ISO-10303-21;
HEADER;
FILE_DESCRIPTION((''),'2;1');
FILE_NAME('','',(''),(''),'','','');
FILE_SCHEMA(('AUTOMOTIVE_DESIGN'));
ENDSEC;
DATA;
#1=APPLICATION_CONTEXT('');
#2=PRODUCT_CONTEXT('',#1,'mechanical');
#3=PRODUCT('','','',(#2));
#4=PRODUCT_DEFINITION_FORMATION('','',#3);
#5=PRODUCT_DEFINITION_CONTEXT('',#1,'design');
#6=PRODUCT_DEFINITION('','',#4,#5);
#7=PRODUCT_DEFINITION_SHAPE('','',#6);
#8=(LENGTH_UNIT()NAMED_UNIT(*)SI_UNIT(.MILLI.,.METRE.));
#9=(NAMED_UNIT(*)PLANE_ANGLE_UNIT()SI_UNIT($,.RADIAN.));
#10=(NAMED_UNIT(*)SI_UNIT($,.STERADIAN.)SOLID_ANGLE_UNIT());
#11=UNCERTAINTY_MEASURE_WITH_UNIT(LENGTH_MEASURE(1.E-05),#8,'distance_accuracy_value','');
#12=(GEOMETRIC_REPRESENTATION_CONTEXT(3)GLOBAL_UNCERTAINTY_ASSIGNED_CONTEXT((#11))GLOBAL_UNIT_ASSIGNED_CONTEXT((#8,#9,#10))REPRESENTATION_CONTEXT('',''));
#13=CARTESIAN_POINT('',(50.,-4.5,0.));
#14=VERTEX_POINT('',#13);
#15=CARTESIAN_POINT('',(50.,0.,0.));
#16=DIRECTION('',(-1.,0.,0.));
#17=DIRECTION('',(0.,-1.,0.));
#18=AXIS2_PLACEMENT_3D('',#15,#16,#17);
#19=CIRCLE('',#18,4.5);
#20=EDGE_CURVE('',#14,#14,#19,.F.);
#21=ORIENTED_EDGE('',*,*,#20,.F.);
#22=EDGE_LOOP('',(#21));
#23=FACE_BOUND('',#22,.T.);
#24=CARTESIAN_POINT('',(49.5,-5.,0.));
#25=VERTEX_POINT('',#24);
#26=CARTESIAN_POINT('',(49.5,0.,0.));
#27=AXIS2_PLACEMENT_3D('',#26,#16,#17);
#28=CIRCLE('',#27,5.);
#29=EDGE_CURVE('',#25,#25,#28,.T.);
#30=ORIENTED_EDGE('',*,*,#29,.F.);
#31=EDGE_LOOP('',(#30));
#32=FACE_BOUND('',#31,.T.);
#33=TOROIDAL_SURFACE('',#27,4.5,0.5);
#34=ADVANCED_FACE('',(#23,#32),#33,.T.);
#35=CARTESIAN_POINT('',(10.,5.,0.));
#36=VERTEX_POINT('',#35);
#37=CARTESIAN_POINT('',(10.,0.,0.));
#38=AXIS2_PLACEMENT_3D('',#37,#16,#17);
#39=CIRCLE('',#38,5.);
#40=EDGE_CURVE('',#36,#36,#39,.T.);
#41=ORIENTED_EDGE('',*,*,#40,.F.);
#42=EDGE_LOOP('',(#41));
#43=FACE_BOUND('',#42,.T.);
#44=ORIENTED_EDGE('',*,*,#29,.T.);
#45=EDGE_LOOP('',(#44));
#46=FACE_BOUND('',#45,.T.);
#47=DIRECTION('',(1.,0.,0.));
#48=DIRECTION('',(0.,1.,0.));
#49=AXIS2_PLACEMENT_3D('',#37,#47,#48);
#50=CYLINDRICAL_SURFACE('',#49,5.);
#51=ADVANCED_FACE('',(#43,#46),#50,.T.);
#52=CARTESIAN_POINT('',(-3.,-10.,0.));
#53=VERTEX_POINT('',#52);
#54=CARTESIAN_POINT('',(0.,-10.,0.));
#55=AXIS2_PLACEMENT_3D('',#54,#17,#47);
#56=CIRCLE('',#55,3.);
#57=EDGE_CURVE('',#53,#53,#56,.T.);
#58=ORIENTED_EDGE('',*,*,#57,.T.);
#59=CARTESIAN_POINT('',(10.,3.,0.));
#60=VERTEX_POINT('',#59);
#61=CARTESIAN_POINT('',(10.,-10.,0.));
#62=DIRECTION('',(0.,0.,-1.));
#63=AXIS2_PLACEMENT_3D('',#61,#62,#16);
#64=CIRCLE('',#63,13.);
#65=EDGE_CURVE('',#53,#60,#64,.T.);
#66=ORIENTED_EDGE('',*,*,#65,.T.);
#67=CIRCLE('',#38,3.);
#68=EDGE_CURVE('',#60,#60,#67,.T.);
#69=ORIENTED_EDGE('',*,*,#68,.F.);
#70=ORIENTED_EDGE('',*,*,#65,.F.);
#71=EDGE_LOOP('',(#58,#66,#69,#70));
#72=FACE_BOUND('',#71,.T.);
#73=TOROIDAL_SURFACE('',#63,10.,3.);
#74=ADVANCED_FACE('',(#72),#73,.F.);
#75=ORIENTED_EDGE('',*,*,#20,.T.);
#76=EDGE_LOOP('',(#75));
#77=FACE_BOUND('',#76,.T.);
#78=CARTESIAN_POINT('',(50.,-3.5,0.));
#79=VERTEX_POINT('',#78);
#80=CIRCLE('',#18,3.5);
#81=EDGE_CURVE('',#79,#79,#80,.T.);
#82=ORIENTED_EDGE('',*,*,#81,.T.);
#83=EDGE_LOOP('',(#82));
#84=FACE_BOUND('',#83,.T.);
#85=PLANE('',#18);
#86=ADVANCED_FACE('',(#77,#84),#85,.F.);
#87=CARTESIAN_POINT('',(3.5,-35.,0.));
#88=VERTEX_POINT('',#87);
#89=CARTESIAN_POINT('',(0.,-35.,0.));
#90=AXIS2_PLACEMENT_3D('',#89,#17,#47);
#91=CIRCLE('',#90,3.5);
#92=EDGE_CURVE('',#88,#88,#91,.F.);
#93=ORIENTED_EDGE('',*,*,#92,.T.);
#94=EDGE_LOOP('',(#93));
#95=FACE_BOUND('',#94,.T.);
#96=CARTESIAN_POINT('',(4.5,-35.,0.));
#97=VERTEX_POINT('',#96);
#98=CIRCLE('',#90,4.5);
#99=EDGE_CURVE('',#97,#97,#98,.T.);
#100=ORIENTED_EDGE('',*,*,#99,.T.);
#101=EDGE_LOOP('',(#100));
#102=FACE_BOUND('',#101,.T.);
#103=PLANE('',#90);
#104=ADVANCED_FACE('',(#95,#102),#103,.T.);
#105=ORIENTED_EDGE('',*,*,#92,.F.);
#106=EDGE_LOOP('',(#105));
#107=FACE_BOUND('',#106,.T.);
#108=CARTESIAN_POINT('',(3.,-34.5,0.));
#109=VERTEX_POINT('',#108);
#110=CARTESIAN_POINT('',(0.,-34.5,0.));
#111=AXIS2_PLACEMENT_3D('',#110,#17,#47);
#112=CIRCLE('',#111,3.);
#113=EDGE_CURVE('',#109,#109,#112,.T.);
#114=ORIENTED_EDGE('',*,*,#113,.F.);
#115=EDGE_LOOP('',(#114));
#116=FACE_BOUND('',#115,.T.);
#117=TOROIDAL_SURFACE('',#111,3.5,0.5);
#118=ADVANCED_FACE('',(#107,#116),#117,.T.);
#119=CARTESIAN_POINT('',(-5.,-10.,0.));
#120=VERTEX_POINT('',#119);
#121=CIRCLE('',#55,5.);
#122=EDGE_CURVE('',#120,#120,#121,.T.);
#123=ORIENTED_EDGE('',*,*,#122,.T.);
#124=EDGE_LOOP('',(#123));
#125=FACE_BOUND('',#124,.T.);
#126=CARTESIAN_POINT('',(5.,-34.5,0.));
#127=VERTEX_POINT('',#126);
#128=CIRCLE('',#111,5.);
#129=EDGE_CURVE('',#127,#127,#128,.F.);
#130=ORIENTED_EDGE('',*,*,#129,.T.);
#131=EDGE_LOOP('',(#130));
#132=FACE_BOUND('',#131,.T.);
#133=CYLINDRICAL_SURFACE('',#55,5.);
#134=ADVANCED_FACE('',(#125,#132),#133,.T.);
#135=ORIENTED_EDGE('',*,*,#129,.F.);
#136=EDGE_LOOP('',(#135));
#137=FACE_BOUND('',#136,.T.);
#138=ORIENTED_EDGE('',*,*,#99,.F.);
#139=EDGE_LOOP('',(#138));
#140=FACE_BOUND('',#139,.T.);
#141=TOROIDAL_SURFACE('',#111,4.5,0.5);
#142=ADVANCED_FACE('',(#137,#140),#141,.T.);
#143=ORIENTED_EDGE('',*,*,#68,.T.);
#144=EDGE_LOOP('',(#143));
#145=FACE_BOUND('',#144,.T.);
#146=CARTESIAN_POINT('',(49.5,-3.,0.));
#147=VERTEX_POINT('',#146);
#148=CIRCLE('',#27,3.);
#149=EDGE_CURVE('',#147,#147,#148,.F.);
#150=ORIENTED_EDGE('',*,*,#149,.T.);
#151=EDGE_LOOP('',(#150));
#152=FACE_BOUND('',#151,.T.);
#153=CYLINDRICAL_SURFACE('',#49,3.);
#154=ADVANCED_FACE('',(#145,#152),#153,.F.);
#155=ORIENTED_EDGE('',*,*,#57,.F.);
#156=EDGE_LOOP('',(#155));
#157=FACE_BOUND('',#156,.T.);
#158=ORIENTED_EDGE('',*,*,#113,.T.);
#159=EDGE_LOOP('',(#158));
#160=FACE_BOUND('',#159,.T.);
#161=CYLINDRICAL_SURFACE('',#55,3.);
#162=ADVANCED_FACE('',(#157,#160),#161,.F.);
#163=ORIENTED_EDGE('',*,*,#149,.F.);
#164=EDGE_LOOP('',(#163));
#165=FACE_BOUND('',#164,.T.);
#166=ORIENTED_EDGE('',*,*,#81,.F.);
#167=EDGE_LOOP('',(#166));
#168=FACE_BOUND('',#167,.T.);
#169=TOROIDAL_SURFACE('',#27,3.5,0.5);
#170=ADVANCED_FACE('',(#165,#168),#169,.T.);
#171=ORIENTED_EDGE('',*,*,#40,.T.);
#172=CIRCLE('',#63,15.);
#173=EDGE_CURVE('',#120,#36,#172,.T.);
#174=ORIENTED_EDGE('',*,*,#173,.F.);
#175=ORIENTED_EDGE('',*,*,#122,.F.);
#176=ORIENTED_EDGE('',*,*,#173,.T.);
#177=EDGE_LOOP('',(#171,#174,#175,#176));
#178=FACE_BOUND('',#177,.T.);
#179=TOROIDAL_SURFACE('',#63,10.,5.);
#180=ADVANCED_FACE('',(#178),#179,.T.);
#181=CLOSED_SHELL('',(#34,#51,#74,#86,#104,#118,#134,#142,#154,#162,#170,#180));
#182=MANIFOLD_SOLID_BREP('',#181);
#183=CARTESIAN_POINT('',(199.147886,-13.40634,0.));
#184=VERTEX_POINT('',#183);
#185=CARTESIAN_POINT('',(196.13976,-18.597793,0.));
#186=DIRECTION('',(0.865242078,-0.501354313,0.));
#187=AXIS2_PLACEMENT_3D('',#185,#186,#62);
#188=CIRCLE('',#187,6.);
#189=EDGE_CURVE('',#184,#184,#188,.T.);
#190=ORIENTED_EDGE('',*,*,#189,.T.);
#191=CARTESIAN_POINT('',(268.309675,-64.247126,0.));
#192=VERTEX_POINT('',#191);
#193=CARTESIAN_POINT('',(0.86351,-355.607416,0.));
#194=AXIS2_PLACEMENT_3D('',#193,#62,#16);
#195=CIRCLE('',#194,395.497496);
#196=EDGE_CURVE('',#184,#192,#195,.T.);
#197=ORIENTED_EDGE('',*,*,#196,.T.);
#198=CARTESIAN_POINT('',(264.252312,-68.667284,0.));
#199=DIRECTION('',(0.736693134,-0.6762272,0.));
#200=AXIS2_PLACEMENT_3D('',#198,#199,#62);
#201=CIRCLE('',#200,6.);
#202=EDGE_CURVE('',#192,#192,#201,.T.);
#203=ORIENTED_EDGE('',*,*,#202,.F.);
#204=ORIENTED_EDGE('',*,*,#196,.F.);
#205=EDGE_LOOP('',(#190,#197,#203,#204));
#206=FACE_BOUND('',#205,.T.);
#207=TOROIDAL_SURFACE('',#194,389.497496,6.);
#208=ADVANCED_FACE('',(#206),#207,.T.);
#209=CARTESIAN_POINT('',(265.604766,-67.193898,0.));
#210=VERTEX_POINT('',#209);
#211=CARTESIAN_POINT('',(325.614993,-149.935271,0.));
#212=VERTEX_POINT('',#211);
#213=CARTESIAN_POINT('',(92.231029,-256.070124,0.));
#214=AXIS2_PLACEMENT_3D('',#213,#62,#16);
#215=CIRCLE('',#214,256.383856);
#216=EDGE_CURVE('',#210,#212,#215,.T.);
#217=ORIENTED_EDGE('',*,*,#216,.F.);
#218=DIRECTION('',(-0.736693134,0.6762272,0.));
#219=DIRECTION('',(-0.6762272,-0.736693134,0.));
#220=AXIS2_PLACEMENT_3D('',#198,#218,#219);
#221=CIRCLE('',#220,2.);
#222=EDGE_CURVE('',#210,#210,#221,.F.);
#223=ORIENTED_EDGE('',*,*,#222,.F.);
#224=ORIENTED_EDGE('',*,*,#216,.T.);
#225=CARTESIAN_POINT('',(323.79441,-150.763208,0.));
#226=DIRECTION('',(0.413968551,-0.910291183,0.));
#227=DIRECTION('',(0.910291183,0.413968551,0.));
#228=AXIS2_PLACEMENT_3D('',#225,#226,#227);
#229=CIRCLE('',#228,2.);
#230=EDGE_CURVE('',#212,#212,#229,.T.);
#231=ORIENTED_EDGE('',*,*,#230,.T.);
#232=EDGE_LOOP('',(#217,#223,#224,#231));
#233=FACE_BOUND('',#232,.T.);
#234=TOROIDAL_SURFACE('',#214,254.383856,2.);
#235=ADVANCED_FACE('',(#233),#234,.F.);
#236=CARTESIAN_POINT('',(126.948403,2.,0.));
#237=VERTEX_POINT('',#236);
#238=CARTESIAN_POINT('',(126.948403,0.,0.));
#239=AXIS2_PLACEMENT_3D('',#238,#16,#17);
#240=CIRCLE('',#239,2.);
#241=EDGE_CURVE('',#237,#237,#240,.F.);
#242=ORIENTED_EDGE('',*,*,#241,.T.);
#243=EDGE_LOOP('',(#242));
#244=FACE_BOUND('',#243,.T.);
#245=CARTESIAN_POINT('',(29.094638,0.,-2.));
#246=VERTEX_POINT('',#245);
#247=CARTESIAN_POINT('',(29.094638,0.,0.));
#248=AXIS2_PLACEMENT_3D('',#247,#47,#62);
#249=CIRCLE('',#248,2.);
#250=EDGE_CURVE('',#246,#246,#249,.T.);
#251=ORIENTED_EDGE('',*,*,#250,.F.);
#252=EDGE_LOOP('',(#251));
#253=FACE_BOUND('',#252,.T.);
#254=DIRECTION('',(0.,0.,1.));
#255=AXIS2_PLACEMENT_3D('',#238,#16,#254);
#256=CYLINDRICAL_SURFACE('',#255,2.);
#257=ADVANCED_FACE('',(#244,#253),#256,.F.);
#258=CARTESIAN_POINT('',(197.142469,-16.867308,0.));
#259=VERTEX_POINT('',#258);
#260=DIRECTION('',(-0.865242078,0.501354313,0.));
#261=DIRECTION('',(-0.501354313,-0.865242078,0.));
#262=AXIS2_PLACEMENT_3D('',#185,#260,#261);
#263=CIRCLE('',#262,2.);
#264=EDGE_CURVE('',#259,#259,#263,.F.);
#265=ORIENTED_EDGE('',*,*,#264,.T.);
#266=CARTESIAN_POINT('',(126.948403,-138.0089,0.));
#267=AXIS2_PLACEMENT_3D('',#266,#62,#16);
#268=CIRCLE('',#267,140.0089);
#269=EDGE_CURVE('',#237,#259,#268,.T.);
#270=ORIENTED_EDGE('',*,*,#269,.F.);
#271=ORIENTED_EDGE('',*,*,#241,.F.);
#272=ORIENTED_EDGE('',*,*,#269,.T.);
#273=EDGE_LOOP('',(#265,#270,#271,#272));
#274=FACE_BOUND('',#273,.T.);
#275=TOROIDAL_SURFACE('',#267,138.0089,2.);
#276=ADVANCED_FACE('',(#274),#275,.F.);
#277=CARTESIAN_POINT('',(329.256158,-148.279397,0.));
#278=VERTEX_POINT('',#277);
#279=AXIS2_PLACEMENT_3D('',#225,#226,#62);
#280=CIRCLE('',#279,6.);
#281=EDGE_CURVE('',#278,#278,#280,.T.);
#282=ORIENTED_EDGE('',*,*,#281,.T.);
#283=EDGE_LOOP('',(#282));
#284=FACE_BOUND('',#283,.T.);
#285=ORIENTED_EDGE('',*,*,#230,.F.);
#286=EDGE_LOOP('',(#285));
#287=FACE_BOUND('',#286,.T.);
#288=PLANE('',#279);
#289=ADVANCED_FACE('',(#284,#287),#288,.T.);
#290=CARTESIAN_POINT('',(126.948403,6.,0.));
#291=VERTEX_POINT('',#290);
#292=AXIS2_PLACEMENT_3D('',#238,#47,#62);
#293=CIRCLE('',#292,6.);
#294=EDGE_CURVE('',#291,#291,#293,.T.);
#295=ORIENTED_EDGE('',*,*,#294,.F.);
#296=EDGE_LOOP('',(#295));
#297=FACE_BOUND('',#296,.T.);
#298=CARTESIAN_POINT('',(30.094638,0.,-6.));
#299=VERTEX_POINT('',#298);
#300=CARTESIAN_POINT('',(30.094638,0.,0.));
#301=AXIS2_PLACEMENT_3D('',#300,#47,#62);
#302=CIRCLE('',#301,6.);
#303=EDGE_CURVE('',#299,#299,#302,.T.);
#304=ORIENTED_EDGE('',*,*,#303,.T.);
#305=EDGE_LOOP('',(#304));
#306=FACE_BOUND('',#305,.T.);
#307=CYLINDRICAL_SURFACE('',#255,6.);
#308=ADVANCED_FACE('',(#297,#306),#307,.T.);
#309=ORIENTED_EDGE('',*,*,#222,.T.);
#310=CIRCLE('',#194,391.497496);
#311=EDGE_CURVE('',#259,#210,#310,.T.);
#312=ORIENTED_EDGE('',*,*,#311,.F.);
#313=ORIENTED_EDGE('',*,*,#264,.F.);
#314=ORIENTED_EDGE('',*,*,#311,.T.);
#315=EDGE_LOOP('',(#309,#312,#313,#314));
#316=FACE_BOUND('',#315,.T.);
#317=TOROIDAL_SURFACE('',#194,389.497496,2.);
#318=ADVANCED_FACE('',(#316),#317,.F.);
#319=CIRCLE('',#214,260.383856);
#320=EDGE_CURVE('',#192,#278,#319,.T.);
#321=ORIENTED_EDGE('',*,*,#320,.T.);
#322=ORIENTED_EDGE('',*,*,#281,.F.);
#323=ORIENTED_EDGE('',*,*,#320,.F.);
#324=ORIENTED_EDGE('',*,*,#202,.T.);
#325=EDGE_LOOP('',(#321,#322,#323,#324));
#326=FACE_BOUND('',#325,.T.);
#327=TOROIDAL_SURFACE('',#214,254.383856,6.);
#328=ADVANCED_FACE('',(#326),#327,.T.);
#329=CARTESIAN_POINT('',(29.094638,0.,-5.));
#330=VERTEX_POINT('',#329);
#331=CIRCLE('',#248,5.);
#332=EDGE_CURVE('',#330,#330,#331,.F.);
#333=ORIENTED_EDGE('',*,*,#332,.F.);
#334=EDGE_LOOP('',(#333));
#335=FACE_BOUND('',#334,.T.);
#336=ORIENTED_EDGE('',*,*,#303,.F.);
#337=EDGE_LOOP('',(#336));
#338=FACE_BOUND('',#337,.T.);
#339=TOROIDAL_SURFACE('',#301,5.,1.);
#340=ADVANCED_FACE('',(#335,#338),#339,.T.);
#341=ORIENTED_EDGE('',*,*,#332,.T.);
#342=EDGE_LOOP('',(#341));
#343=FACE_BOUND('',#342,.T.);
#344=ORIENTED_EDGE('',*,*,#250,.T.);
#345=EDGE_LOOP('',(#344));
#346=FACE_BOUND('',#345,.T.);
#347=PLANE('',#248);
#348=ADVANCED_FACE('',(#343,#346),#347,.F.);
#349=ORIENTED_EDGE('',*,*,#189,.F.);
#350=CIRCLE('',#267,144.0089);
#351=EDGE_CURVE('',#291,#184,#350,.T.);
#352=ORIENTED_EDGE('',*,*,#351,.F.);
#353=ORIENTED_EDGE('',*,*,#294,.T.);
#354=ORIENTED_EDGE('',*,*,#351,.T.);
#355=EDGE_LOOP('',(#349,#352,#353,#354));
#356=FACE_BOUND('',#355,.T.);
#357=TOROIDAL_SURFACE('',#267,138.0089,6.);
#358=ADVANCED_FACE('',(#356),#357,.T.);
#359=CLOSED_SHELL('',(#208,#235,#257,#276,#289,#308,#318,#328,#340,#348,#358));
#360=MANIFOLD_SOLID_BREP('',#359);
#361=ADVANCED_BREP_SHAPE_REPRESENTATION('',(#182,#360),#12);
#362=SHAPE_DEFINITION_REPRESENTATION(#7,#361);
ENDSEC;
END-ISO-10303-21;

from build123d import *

# Parameters (mm, degrees)
CROQUIS2_R  = 5
VACIADO2_T  = -2
REDONDEO1_R = 0.5
CROQUIS7_R  = 6
VACIADO3_T  = -4
REDONDEO2_R = 1


with BuildPart() as part:
    # Barrer1: sweep along a path in Croquis1
    with BuildLine(Plane.XY) as barrer1_path:
        Line((0, -35), (0, -10))
        ThreePointArc((0, -10), (2.928932188, -2.928932188), (10, 0))
        Line((10, 0), (50, 0))
    # Croquis2 → Barrer1 (sweep)
    with BuildSketch(Plane.XZ.offset(35)):
        Circle(CROQUIS2_R)
    sweep(path=barrer1_path.line)

    # Vaciado2
    vaciado2_openings = [part.faces().sort_by_distance(p)[0] for p in [
        (50, 0, 0),
        (0, -35, 0),
    ]]
    offset(amount=VACIADO2_T, openings=vaciado2_openings, kind=Kind.INTERSECTION)

    # Redondeo1
    redondeo1_edges = [part.edges().sort_by_distance(p)[0] for p in [
        (-5, -35, 0),
        (50, 5, 0),
        (50, 3, 0),
        (-3, -35, 0),
    ]]
    fillet(redondeo1_edges, radius=REDONDEO1_R)


with BuildPart() as body_2:
    # Barrer2: sweep along a path in Croquis6
    with BuildLine(Plane.XY) as barrer2_path:
        Line((29.094637827, 0), (126.948403012, 0))
        ThreePointArc((126.948403012, 0), (162.772004772, -4.730522037), (196.139760018, -18.597792557))
        ThreePointArc((196.139760018, -18.597792557), (231.558429747, -41.779192076), (264.252312027, -68.667284431))
        ThreePointArc((264.252312027, -68.667284431), (298.15596806, -106.717970969), (323.794410472, -150.763208045))
    # Croquis7 → Barrer2 (sweep)
    with BuildSketch(Plane(origin=(29.094637827, 0, 0), x_dir=(0, 0, -1), z_dir=(1, 0, 0))):
        Circle(CROQUIS7_R)
    sweep(path=barrer2_path.line)

    # Vaciado3
    vaciado3_openings = [body_2.faces().sort_by_distance(p)[0] for p in [
        (323.794410472, -150.763208045, 0),
        (29.094637827, 0, 0),
    ]]
    offset(amount=VACIADO3_T, openings=vaciado3_openings, kind=Kind.INTERSECTION)

    # Redondeo2
    redondeo2_edges = [body_2.edges().sort_by_distance(p)[0] for p in [
        (29.094637827, 0, 6),
    ]]
    fillet(redondeo2_edges, radius=REDONDEO2_R)


solid = Compound([part.part, body_2.part])
